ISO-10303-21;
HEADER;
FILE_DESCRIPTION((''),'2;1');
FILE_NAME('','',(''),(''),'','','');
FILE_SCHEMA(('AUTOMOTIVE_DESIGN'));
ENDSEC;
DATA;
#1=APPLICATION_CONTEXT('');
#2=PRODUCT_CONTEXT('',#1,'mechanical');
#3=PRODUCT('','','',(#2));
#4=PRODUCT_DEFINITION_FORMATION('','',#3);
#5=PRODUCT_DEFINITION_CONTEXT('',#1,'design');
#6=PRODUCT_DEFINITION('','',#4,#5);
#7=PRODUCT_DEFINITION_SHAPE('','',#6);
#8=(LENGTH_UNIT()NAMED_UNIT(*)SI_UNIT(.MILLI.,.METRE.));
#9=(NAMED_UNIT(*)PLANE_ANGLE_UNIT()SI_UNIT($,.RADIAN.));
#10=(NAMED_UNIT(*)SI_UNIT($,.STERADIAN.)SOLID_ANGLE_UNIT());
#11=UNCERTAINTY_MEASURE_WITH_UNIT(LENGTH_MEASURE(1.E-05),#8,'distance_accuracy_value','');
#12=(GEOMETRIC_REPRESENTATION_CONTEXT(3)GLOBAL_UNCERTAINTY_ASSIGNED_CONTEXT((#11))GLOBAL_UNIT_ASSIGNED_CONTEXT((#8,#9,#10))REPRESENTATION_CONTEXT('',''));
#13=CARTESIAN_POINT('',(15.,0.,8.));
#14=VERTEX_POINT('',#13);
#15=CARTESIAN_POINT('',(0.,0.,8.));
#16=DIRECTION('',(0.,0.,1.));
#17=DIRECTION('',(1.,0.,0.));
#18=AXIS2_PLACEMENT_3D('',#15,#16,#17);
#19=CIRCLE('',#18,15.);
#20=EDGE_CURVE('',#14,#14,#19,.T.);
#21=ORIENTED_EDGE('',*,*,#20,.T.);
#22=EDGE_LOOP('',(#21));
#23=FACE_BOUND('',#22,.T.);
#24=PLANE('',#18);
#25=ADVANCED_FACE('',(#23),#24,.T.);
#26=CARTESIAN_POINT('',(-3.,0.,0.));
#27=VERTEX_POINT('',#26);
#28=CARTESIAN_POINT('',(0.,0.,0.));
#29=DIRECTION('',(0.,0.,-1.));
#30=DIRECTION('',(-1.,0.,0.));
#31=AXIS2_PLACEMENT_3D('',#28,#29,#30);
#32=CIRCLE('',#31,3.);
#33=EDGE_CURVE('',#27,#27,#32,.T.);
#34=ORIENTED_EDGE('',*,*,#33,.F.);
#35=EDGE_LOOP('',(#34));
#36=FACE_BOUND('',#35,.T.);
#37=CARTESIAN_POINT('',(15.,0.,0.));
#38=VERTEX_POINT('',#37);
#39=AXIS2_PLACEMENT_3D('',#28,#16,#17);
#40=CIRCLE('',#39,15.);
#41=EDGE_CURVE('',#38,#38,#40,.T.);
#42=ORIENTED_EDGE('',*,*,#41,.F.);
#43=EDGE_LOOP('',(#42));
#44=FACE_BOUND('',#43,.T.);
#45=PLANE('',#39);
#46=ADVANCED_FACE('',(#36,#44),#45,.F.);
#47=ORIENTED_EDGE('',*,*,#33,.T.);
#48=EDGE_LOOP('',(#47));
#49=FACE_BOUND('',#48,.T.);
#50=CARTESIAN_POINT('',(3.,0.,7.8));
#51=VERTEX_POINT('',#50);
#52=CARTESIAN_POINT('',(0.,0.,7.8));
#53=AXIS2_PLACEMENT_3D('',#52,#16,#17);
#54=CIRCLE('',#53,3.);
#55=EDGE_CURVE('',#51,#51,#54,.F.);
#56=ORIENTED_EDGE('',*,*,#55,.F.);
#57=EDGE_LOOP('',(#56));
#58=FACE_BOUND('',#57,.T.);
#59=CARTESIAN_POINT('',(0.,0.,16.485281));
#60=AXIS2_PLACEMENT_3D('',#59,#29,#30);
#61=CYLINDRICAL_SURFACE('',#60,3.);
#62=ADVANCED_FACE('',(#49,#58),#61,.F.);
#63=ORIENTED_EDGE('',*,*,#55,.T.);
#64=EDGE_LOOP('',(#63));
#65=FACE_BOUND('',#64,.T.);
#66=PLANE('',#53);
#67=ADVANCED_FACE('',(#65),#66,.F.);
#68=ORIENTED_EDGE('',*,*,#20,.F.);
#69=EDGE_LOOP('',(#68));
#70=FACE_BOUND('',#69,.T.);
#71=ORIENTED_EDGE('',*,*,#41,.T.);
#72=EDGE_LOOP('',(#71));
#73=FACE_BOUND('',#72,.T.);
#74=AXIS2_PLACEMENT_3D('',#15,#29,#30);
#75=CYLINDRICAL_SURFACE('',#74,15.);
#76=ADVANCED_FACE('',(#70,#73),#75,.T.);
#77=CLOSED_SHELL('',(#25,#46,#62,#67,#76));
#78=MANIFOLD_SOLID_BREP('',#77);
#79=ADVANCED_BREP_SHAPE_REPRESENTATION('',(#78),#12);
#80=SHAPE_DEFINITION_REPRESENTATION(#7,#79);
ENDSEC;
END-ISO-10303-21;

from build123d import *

# Parameters (mm, degrees)
SKETCH2_R           = 15
BOSS_EXTRUDE1_DEPTH = 8
SKETCH3_R           = 3
CUT_EXTRUDE1_DEPTH  = 7.8


with BuildPart() as part:
    # Sketch2 → Boss-Extrude1 (new body)
    with BuildSketch(Plane.XY):
        Circle(SKETCH2_R)
    extrude(amount=BOSS_EXTRUDE1_DEPTH)

    # Sketch3 → Cut-Extrude1 (cut)
    with BuildSketch(Plane(origin=(0, 0, 0), x_dir=(-1, 0, 0), z_dir=(0, 0, -1))):
        Circle(SKETCH3_R)
    extrude(amount=-CUT_EXTRUDE1_DEPTH, mode=Mode.SUBTRACT)


solid = part.part
